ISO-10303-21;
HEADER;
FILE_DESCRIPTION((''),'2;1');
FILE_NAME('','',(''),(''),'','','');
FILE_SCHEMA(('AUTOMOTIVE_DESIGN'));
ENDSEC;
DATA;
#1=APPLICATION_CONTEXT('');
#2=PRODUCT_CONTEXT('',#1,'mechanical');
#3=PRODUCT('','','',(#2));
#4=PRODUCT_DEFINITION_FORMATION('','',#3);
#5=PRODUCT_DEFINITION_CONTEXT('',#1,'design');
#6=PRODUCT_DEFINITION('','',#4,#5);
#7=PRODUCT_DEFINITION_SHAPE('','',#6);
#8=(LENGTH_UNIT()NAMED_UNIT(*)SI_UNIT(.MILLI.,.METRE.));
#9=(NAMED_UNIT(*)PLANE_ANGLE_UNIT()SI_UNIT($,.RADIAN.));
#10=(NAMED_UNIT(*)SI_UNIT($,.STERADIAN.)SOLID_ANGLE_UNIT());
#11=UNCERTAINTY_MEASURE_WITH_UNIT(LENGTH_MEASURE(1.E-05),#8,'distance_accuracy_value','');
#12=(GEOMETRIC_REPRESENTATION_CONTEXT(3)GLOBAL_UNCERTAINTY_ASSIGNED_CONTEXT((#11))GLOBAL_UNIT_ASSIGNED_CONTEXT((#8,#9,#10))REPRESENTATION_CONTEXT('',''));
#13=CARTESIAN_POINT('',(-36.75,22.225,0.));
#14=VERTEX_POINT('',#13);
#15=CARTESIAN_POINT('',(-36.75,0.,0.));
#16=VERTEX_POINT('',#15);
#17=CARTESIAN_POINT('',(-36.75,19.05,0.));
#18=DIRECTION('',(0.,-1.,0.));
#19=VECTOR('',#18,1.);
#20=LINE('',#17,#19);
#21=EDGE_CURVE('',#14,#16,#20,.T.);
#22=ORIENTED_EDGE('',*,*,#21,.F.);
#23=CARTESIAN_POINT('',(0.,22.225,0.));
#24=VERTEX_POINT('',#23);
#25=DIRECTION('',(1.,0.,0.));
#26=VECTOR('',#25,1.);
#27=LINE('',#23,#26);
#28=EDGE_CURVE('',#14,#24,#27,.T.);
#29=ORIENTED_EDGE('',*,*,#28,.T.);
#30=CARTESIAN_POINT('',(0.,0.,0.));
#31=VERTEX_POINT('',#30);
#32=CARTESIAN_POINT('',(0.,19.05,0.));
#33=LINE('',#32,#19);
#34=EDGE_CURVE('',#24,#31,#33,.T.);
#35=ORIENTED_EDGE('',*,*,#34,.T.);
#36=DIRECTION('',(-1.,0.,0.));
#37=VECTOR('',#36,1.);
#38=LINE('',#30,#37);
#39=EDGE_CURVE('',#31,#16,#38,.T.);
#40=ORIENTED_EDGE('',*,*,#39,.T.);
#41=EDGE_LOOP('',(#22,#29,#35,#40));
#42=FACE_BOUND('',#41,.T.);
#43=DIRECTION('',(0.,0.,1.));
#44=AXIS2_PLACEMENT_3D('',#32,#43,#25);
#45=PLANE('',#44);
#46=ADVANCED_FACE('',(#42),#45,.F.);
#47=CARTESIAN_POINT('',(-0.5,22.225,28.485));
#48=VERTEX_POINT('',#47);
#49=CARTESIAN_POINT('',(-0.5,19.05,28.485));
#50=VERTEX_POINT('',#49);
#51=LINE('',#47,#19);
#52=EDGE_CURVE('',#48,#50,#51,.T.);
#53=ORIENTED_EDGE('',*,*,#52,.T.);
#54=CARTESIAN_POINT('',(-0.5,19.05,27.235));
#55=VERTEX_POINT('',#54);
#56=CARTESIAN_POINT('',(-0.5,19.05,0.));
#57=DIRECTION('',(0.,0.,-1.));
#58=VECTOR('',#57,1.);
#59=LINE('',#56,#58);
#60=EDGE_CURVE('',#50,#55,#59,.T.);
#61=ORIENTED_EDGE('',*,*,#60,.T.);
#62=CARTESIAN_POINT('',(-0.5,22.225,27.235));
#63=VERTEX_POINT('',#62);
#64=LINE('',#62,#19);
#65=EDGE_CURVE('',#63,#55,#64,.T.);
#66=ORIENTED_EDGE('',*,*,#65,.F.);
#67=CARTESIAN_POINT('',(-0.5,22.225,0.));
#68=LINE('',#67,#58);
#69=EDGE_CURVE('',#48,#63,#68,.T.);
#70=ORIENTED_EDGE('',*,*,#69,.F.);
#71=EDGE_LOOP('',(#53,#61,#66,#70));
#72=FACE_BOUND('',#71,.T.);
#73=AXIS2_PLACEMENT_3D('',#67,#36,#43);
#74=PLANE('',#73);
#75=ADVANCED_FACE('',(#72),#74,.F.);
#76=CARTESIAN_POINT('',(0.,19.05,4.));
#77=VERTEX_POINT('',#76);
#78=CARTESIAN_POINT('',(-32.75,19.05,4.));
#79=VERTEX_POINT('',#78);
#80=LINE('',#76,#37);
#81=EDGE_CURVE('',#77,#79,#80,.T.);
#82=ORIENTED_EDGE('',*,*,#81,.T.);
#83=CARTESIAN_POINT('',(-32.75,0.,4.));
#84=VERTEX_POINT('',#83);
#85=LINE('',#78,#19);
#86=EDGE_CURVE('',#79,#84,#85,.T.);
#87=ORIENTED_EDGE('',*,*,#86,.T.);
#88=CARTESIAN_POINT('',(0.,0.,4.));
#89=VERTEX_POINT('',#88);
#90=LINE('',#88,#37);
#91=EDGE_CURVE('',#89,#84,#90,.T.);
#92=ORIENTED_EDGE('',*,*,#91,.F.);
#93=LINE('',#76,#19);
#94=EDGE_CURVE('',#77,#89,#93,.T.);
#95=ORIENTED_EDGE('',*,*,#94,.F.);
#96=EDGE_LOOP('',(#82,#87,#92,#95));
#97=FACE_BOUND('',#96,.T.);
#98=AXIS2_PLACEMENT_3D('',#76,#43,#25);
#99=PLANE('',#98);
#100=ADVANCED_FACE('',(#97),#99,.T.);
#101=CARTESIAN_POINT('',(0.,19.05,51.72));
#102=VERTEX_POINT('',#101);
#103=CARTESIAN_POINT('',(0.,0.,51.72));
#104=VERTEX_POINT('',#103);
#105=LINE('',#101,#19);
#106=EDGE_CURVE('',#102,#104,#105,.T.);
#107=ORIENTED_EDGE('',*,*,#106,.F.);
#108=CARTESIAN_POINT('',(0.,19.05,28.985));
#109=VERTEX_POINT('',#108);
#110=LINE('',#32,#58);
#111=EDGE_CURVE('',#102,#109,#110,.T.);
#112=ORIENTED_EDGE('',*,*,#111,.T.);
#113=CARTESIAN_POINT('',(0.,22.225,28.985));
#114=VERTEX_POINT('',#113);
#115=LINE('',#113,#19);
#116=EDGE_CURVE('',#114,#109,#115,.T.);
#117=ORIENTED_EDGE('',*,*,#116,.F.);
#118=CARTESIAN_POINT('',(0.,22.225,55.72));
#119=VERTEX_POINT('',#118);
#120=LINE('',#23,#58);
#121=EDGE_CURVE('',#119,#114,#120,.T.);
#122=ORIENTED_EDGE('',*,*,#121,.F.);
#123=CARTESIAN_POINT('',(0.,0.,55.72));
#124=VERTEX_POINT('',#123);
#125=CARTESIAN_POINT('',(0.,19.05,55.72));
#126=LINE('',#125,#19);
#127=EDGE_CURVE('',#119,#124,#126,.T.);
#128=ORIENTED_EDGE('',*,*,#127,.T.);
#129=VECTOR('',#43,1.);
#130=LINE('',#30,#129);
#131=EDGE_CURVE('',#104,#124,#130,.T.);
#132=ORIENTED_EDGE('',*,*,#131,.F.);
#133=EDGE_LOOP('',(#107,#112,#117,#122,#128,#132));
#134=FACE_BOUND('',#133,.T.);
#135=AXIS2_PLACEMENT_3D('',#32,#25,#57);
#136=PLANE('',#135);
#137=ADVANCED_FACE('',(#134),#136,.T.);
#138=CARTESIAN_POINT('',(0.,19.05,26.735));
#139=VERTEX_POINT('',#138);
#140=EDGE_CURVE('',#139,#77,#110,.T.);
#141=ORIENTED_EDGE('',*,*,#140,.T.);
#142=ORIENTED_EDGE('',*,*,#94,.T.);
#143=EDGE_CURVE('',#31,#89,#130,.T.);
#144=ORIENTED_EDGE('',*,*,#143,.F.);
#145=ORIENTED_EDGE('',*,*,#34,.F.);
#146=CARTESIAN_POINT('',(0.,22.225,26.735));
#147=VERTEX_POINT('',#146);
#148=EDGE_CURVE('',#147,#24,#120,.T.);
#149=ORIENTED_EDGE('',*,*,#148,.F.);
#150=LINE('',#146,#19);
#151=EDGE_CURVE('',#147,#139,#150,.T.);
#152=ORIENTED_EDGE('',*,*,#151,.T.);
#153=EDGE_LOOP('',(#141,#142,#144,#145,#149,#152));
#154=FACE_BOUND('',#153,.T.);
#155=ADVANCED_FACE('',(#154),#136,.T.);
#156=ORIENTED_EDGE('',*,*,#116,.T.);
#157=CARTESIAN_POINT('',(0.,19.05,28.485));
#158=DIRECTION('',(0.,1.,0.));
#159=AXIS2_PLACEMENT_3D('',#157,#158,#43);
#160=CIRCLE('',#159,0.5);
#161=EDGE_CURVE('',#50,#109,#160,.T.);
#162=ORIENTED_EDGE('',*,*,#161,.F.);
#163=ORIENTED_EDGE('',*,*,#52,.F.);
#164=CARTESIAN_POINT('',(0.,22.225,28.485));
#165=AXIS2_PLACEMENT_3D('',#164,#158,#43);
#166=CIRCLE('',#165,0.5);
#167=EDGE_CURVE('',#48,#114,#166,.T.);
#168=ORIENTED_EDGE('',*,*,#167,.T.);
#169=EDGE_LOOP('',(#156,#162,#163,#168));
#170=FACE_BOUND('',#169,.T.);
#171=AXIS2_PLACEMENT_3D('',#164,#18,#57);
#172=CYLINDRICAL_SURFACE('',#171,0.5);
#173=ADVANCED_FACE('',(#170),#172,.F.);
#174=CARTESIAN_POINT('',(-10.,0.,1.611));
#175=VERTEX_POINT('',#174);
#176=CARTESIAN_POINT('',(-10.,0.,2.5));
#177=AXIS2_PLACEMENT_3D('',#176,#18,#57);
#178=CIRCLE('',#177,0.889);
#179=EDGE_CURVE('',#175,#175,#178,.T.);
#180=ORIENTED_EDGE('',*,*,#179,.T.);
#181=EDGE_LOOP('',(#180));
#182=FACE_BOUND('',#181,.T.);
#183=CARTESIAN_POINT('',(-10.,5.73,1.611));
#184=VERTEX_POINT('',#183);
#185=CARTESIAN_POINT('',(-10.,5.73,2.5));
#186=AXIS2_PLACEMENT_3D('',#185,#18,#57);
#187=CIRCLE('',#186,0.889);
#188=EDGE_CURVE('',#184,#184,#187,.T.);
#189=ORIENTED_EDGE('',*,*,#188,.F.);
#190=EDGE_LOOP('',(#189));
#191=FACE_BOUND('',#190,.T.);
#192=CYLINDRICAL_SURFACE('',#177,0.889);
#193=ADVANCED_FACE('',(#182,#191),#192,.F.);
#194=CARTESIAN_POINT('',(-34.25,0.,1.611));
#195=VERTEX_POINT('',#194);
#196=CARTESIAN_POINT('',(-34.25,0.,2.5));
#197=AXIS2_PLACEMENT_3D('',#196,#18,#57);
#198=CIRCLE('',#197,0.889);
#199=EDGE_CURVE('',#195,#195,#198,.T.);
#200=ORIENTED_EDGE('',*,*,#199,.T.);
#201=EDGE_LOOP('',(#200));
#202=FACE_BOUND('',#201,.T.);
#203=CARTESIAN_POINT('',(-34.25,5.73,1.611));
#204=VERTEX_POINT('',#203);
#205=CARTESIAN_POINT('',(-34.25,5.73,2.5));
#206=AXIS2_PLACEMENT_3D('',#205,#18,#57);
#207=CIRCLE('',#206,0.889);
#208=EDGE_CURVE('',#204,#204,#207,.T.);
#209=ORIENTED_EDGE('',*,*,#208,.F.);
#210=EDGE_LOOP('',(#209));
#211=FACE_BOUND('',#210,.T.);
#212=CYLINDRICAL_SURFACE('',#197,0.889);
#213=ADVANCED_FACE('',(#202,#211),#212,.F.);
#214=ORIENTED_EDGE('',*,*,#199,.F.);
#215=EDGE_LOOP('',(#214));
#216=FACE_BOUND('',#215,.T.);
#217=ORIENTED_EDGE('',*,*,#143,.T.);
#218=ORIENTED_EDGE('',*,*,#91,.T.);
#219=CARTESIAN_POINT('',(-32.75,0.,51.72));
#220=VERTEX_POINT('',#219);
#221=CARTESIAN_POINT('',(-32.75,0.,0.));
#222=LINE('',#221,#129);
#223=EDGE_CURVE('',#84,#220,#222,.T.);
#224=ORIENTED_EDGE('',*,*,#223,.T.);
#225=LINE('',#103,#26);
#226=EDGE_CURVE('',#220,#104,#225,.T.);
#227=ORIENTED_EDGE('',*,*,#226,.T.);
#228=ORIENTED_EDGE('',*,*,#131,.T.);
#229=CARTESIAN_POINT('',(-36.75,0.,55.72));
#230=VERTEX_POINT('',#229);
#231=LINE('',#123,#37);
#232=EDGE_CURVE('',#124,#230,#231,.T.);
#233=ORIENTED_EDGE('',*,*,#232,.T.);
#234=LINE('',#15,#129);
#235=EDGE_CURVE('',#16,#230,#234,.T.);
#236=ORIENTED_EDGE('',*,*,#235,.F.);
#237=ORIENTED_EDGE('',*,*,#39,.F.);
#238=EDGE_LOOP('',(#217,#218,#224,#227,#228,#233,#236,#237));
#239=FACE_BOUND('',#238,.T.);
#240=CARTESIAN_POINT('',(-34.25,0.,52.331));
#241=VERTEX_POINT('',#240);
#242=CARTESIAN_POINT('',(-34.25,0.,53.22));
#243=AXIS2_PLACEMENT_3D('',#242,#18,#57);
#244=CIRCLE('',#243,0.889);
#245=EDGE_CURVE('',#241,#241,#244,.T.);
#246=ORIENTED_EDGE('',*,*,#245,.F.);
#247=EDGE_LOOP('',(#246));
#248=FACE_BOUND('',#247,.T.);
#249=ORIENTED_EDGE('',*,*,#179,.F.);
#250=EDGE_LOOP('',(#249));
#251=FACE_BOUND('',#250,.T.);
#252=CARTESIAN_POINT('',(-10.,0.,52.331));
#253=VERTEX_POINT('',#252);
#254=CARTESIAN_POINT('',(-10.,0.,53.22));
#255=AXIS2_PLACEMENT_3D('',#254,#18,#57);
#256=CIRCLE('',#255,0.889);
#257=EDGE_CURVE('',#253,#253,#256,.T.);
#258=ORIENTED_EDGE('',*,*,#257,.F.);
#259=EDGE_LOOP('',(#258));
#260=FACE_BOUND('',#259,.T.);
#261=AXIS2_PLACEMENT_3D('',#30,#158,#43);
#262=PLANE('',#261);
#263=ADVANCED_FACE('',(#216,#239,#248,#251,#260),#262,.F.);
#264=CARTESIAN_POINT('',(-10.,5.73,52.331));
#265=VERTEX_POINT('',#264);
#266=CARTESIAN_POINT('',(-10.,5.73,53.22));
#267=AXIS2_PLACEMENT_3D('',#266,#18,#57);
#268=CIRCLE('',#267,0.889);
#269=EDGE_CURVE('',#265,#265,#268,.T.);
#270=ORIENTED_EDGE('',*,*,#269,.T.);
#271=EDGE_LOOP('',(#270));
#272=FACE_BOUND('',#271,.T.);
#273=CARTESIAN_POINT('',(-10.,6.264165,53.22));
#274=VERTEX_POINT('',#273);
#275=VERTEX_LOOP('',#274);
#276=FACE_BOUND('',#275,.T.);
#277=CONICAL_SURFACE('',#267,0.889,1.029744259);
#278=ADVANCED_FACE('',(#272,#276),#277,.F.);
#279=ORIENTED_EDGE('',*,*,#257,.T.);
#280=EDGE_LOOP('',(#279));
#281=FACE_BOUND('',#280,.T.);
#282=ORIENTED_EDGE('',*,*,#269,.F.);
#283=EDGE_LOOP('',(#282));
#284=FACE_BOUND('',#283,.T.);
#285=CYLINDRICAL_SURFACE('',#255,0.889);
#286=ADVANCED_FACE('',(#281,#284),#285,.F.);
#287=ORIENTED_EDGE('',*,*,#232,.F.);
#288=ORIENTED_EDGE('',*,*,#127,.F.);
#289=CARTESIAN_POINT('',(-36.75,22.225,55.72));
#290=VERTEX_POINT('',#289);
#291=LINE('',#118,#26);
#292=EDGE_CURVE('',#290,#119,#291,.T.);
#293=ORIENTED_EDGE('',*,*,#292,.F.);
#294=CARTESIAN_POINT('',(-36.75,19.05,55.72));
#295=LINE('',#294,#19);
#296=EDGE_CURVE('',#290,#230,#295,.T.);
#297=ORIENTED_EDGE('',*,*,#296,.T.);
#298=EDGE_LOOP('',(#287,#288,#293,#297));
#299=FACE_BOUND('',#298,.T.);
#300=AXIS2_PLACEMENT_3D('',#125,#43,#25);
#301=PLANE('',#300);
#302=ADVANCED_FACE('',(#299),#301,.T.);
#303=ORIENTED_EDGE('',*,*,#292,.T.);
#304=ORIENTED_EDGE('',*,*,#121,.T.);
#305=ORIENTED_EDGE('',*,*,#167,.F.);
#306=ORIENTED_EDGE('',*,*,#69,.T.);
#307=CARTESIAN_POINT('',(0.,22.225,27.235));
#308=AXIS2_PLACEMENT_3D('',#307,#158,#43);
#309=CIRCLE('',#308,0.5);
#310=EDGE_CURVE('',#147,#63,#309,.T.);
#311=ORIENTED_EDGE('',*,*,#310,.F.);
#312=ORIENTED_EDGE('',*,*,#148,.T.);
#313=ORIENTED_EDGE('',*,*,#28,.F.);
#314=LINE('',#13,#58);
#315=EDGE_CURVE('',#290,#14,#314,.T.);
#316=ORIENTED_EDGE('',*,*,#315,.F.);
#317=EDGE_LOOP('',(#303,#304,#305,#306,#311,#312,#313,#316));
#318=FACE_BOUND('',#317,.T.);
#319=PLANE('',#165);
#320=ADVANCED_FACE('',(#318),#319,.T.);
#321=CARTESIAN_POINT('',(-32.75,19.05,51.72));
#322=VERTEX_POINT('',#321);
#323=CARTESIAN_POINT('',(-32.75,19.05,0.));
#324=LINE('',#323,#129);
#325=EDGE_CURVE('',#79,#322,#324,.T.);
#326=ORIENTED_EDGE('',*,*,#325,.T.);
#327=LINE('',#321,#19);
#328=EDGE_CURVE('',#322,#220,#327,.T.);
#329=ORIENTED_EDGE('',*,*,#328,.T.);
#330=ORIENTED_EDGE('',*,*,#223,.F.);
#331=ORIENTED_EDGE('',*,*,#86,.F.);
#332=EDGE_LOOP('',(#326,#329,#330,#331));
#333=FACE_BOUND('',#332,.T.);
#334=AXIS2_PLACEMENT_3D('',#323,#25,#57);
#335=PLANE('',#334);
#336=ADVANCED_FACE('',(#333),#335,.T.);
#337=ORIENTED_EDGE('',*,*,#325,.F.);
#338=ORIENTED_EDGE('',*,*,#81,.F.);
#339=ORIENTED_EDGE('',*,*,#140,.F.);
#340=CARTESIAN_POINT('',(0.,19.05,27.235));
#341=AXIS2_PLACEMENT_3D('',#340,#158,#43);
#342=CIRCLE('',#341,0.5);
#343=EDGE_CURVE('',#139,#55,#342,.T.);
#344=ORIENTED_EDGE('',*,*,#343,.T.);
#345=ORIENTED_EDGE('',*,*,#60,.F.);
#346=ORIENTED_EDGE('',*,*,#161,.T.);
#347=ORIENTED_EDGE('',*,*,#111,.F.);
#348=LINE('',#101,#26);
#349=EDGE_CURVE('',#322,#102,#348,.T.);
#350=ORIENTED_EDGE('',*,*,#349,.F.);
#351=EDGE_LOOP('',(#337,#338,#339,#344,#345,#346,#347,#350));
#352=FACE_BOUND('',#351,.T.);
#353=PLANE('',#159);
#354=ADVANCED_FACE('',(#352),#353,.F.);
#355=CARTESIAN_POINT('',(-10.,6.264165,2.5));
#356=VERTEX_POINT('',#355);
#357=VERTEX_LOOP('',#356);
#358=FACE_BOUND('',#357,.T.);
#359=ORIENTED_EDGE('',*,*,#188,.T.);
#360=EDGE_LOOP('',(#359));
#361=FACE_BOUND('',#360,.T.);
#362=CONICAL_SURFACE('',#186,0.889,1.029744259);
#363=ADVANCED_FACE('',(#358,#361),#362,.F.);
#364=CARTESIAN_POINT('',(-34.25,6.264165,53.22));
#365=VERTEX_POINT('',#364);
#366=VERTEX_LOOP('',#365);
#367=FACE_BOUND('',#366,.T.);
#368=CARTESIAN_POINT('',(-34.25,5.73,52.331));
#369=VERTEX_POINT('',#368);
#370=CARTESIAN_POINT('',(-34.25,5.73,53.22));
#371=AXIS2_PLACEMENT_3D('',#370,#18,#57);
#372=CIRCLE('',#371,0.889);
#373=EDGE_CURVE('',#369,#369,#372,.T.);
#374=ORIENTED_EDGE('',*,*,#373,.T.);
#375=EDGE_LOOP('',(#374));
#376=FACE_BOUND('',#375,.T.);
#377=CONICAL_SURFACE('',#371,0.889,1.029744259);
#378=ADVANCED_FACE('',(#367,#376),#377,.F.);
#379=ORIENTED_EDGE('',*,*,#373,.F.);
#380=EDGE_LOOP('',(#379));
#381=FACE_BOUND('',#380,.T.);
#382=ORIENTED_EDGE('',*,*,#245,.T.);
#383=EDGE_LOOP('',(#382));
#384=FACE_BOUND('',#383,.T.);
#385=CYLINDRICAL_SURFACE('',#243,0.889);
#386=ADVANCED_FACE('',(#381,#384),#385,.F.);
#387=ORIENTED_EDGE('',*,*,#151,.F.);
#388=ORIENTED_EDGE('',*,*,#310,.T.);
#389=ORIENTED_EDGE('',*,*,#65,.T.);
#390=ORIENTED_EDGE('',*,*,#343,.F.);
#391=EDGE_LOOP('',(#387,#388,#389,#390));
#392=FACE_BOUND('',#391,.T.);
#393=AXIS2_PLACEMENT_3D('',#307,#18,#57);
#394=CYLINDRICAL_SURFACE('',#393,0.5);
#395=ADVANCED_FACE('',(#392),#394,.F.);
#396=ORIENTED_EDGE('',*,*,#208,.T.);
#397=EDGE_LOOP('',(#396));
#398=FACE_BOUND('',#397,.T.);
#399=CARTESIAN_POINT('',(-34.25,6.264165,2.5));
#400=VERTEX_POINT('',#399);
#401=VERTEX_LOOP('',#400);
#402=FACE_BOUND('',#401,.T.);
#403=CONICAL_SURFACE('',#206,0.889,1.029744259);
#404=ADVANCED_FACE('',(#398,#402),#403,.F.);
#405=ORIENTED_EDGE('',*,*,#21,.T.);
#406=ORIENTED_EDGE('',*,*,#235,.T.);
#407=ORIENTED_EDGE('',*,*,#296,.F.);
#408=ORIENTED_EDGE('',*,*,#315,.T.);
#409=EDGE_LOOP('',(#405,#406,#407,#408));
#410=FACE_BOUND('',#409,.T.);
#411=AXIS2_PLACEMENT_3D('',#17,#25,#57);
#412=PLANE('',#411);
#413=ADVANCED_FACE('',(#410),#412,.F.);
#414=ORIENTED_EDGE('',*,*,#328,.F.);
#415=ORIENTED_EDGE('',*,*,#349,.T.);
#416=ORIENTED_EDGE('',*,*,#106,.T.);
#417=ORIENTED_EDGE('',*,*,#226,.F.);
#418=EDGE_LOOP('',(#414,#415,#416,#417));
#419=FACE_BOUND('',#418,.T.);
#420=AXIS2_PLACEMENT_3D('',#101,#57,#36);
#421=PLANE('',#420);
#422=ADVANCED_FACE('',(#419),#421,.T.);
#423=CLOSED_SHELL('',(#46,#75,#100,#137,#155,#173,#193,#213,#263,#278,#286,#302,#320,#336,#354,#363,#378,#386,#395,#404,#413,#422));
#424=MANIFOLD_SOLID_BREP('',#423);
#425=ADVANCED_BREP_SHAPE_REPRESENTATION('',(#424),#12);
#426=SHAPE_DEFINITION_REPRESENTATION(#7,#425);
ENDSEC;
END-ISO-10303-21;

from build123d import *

# Parameters (mm, degrees)
WALL_DEPTH                = 19.05
ROOF_START                = 19.05
ROOF_DEPTH                = 3.175
F_2_56_TAPPED_HOLE1_D     = 1.778
F_2_56_TAPPED_HOLE1_DEPTH = 5.73
F_2_56_TAPPED_HOLE1_TIP   = 0.53416509


with BuildPart() as part:
    # MainSketch → Wall (new body)
    with BuildSketch(Plane(origin=(0, 0, 0), x_dir=(1, 0, 0), z_dir=(0, 1, 0))):
        Polygon((-32.75, -4), (0, -4), (0, 0), (-36.75, 0), (-36.75, -55.72), (0, -55.72), (0, -51.72), (-32.75, -51.72), align=None)
    extrude(amount=WALL_DEPTH)

    # MainSketch<3> → Roof (add)
    with BuildSketch(Plane(origin=(0, 0, 0), x_dir=(1, 0, 0), z_dir=(0, 1, 0)).offset(ROOF_START)):
        with BuildLine():
            Line((0, -26.735), (0, 0))
            Line((0, 0), (-36.75, 0))
            Line((-36.75, 0), (-36.75, -55.72))
            Line((-36.75, -55.72), (0, -55.72))
            Line((0, -55.72), (0, -28.985))
            ThreePointArc((0, -28.985), (-0.353553391, -28.838553391), (-0.5, -28.485))
            Line((-0.5, -28.485), (-0.5, -27.235))
            ThreePointArc((-0.5, -27.235), (-0.353553391, -26.881446609), (0, -26.735))
        make_face()
    extrude(amount=ROOF_DEPTH)

    # #2-56 Tapped Hole1
    with Locations(Plane(origin=(-10, 0, 53.22), x_dir=(0, 0, -1), z_dir=(0, -1, 0))):
        with Locations((0, 0), (0, -24.25), (50.72, -24.25), (50.72, 0)):
            Hole(F_2_56_TAPPED_HOLE1_D / 2, depth=F_2_56_TAPPED_HOLE1_DEPTH)
            with Locations((0, 0, -(F_2_56_TAPPED_HOLE1_DEPTH + F_2_56_TAPPED_HOLE1_TIP / 2))):  # 118° drill point
                Cone(0, F_2_56_TAPPED_HOLE1_D / 2, F_2_56_TAPPED_HOLE1_TIP, mode=Mode.SUBTRACT)


solid = part.part
